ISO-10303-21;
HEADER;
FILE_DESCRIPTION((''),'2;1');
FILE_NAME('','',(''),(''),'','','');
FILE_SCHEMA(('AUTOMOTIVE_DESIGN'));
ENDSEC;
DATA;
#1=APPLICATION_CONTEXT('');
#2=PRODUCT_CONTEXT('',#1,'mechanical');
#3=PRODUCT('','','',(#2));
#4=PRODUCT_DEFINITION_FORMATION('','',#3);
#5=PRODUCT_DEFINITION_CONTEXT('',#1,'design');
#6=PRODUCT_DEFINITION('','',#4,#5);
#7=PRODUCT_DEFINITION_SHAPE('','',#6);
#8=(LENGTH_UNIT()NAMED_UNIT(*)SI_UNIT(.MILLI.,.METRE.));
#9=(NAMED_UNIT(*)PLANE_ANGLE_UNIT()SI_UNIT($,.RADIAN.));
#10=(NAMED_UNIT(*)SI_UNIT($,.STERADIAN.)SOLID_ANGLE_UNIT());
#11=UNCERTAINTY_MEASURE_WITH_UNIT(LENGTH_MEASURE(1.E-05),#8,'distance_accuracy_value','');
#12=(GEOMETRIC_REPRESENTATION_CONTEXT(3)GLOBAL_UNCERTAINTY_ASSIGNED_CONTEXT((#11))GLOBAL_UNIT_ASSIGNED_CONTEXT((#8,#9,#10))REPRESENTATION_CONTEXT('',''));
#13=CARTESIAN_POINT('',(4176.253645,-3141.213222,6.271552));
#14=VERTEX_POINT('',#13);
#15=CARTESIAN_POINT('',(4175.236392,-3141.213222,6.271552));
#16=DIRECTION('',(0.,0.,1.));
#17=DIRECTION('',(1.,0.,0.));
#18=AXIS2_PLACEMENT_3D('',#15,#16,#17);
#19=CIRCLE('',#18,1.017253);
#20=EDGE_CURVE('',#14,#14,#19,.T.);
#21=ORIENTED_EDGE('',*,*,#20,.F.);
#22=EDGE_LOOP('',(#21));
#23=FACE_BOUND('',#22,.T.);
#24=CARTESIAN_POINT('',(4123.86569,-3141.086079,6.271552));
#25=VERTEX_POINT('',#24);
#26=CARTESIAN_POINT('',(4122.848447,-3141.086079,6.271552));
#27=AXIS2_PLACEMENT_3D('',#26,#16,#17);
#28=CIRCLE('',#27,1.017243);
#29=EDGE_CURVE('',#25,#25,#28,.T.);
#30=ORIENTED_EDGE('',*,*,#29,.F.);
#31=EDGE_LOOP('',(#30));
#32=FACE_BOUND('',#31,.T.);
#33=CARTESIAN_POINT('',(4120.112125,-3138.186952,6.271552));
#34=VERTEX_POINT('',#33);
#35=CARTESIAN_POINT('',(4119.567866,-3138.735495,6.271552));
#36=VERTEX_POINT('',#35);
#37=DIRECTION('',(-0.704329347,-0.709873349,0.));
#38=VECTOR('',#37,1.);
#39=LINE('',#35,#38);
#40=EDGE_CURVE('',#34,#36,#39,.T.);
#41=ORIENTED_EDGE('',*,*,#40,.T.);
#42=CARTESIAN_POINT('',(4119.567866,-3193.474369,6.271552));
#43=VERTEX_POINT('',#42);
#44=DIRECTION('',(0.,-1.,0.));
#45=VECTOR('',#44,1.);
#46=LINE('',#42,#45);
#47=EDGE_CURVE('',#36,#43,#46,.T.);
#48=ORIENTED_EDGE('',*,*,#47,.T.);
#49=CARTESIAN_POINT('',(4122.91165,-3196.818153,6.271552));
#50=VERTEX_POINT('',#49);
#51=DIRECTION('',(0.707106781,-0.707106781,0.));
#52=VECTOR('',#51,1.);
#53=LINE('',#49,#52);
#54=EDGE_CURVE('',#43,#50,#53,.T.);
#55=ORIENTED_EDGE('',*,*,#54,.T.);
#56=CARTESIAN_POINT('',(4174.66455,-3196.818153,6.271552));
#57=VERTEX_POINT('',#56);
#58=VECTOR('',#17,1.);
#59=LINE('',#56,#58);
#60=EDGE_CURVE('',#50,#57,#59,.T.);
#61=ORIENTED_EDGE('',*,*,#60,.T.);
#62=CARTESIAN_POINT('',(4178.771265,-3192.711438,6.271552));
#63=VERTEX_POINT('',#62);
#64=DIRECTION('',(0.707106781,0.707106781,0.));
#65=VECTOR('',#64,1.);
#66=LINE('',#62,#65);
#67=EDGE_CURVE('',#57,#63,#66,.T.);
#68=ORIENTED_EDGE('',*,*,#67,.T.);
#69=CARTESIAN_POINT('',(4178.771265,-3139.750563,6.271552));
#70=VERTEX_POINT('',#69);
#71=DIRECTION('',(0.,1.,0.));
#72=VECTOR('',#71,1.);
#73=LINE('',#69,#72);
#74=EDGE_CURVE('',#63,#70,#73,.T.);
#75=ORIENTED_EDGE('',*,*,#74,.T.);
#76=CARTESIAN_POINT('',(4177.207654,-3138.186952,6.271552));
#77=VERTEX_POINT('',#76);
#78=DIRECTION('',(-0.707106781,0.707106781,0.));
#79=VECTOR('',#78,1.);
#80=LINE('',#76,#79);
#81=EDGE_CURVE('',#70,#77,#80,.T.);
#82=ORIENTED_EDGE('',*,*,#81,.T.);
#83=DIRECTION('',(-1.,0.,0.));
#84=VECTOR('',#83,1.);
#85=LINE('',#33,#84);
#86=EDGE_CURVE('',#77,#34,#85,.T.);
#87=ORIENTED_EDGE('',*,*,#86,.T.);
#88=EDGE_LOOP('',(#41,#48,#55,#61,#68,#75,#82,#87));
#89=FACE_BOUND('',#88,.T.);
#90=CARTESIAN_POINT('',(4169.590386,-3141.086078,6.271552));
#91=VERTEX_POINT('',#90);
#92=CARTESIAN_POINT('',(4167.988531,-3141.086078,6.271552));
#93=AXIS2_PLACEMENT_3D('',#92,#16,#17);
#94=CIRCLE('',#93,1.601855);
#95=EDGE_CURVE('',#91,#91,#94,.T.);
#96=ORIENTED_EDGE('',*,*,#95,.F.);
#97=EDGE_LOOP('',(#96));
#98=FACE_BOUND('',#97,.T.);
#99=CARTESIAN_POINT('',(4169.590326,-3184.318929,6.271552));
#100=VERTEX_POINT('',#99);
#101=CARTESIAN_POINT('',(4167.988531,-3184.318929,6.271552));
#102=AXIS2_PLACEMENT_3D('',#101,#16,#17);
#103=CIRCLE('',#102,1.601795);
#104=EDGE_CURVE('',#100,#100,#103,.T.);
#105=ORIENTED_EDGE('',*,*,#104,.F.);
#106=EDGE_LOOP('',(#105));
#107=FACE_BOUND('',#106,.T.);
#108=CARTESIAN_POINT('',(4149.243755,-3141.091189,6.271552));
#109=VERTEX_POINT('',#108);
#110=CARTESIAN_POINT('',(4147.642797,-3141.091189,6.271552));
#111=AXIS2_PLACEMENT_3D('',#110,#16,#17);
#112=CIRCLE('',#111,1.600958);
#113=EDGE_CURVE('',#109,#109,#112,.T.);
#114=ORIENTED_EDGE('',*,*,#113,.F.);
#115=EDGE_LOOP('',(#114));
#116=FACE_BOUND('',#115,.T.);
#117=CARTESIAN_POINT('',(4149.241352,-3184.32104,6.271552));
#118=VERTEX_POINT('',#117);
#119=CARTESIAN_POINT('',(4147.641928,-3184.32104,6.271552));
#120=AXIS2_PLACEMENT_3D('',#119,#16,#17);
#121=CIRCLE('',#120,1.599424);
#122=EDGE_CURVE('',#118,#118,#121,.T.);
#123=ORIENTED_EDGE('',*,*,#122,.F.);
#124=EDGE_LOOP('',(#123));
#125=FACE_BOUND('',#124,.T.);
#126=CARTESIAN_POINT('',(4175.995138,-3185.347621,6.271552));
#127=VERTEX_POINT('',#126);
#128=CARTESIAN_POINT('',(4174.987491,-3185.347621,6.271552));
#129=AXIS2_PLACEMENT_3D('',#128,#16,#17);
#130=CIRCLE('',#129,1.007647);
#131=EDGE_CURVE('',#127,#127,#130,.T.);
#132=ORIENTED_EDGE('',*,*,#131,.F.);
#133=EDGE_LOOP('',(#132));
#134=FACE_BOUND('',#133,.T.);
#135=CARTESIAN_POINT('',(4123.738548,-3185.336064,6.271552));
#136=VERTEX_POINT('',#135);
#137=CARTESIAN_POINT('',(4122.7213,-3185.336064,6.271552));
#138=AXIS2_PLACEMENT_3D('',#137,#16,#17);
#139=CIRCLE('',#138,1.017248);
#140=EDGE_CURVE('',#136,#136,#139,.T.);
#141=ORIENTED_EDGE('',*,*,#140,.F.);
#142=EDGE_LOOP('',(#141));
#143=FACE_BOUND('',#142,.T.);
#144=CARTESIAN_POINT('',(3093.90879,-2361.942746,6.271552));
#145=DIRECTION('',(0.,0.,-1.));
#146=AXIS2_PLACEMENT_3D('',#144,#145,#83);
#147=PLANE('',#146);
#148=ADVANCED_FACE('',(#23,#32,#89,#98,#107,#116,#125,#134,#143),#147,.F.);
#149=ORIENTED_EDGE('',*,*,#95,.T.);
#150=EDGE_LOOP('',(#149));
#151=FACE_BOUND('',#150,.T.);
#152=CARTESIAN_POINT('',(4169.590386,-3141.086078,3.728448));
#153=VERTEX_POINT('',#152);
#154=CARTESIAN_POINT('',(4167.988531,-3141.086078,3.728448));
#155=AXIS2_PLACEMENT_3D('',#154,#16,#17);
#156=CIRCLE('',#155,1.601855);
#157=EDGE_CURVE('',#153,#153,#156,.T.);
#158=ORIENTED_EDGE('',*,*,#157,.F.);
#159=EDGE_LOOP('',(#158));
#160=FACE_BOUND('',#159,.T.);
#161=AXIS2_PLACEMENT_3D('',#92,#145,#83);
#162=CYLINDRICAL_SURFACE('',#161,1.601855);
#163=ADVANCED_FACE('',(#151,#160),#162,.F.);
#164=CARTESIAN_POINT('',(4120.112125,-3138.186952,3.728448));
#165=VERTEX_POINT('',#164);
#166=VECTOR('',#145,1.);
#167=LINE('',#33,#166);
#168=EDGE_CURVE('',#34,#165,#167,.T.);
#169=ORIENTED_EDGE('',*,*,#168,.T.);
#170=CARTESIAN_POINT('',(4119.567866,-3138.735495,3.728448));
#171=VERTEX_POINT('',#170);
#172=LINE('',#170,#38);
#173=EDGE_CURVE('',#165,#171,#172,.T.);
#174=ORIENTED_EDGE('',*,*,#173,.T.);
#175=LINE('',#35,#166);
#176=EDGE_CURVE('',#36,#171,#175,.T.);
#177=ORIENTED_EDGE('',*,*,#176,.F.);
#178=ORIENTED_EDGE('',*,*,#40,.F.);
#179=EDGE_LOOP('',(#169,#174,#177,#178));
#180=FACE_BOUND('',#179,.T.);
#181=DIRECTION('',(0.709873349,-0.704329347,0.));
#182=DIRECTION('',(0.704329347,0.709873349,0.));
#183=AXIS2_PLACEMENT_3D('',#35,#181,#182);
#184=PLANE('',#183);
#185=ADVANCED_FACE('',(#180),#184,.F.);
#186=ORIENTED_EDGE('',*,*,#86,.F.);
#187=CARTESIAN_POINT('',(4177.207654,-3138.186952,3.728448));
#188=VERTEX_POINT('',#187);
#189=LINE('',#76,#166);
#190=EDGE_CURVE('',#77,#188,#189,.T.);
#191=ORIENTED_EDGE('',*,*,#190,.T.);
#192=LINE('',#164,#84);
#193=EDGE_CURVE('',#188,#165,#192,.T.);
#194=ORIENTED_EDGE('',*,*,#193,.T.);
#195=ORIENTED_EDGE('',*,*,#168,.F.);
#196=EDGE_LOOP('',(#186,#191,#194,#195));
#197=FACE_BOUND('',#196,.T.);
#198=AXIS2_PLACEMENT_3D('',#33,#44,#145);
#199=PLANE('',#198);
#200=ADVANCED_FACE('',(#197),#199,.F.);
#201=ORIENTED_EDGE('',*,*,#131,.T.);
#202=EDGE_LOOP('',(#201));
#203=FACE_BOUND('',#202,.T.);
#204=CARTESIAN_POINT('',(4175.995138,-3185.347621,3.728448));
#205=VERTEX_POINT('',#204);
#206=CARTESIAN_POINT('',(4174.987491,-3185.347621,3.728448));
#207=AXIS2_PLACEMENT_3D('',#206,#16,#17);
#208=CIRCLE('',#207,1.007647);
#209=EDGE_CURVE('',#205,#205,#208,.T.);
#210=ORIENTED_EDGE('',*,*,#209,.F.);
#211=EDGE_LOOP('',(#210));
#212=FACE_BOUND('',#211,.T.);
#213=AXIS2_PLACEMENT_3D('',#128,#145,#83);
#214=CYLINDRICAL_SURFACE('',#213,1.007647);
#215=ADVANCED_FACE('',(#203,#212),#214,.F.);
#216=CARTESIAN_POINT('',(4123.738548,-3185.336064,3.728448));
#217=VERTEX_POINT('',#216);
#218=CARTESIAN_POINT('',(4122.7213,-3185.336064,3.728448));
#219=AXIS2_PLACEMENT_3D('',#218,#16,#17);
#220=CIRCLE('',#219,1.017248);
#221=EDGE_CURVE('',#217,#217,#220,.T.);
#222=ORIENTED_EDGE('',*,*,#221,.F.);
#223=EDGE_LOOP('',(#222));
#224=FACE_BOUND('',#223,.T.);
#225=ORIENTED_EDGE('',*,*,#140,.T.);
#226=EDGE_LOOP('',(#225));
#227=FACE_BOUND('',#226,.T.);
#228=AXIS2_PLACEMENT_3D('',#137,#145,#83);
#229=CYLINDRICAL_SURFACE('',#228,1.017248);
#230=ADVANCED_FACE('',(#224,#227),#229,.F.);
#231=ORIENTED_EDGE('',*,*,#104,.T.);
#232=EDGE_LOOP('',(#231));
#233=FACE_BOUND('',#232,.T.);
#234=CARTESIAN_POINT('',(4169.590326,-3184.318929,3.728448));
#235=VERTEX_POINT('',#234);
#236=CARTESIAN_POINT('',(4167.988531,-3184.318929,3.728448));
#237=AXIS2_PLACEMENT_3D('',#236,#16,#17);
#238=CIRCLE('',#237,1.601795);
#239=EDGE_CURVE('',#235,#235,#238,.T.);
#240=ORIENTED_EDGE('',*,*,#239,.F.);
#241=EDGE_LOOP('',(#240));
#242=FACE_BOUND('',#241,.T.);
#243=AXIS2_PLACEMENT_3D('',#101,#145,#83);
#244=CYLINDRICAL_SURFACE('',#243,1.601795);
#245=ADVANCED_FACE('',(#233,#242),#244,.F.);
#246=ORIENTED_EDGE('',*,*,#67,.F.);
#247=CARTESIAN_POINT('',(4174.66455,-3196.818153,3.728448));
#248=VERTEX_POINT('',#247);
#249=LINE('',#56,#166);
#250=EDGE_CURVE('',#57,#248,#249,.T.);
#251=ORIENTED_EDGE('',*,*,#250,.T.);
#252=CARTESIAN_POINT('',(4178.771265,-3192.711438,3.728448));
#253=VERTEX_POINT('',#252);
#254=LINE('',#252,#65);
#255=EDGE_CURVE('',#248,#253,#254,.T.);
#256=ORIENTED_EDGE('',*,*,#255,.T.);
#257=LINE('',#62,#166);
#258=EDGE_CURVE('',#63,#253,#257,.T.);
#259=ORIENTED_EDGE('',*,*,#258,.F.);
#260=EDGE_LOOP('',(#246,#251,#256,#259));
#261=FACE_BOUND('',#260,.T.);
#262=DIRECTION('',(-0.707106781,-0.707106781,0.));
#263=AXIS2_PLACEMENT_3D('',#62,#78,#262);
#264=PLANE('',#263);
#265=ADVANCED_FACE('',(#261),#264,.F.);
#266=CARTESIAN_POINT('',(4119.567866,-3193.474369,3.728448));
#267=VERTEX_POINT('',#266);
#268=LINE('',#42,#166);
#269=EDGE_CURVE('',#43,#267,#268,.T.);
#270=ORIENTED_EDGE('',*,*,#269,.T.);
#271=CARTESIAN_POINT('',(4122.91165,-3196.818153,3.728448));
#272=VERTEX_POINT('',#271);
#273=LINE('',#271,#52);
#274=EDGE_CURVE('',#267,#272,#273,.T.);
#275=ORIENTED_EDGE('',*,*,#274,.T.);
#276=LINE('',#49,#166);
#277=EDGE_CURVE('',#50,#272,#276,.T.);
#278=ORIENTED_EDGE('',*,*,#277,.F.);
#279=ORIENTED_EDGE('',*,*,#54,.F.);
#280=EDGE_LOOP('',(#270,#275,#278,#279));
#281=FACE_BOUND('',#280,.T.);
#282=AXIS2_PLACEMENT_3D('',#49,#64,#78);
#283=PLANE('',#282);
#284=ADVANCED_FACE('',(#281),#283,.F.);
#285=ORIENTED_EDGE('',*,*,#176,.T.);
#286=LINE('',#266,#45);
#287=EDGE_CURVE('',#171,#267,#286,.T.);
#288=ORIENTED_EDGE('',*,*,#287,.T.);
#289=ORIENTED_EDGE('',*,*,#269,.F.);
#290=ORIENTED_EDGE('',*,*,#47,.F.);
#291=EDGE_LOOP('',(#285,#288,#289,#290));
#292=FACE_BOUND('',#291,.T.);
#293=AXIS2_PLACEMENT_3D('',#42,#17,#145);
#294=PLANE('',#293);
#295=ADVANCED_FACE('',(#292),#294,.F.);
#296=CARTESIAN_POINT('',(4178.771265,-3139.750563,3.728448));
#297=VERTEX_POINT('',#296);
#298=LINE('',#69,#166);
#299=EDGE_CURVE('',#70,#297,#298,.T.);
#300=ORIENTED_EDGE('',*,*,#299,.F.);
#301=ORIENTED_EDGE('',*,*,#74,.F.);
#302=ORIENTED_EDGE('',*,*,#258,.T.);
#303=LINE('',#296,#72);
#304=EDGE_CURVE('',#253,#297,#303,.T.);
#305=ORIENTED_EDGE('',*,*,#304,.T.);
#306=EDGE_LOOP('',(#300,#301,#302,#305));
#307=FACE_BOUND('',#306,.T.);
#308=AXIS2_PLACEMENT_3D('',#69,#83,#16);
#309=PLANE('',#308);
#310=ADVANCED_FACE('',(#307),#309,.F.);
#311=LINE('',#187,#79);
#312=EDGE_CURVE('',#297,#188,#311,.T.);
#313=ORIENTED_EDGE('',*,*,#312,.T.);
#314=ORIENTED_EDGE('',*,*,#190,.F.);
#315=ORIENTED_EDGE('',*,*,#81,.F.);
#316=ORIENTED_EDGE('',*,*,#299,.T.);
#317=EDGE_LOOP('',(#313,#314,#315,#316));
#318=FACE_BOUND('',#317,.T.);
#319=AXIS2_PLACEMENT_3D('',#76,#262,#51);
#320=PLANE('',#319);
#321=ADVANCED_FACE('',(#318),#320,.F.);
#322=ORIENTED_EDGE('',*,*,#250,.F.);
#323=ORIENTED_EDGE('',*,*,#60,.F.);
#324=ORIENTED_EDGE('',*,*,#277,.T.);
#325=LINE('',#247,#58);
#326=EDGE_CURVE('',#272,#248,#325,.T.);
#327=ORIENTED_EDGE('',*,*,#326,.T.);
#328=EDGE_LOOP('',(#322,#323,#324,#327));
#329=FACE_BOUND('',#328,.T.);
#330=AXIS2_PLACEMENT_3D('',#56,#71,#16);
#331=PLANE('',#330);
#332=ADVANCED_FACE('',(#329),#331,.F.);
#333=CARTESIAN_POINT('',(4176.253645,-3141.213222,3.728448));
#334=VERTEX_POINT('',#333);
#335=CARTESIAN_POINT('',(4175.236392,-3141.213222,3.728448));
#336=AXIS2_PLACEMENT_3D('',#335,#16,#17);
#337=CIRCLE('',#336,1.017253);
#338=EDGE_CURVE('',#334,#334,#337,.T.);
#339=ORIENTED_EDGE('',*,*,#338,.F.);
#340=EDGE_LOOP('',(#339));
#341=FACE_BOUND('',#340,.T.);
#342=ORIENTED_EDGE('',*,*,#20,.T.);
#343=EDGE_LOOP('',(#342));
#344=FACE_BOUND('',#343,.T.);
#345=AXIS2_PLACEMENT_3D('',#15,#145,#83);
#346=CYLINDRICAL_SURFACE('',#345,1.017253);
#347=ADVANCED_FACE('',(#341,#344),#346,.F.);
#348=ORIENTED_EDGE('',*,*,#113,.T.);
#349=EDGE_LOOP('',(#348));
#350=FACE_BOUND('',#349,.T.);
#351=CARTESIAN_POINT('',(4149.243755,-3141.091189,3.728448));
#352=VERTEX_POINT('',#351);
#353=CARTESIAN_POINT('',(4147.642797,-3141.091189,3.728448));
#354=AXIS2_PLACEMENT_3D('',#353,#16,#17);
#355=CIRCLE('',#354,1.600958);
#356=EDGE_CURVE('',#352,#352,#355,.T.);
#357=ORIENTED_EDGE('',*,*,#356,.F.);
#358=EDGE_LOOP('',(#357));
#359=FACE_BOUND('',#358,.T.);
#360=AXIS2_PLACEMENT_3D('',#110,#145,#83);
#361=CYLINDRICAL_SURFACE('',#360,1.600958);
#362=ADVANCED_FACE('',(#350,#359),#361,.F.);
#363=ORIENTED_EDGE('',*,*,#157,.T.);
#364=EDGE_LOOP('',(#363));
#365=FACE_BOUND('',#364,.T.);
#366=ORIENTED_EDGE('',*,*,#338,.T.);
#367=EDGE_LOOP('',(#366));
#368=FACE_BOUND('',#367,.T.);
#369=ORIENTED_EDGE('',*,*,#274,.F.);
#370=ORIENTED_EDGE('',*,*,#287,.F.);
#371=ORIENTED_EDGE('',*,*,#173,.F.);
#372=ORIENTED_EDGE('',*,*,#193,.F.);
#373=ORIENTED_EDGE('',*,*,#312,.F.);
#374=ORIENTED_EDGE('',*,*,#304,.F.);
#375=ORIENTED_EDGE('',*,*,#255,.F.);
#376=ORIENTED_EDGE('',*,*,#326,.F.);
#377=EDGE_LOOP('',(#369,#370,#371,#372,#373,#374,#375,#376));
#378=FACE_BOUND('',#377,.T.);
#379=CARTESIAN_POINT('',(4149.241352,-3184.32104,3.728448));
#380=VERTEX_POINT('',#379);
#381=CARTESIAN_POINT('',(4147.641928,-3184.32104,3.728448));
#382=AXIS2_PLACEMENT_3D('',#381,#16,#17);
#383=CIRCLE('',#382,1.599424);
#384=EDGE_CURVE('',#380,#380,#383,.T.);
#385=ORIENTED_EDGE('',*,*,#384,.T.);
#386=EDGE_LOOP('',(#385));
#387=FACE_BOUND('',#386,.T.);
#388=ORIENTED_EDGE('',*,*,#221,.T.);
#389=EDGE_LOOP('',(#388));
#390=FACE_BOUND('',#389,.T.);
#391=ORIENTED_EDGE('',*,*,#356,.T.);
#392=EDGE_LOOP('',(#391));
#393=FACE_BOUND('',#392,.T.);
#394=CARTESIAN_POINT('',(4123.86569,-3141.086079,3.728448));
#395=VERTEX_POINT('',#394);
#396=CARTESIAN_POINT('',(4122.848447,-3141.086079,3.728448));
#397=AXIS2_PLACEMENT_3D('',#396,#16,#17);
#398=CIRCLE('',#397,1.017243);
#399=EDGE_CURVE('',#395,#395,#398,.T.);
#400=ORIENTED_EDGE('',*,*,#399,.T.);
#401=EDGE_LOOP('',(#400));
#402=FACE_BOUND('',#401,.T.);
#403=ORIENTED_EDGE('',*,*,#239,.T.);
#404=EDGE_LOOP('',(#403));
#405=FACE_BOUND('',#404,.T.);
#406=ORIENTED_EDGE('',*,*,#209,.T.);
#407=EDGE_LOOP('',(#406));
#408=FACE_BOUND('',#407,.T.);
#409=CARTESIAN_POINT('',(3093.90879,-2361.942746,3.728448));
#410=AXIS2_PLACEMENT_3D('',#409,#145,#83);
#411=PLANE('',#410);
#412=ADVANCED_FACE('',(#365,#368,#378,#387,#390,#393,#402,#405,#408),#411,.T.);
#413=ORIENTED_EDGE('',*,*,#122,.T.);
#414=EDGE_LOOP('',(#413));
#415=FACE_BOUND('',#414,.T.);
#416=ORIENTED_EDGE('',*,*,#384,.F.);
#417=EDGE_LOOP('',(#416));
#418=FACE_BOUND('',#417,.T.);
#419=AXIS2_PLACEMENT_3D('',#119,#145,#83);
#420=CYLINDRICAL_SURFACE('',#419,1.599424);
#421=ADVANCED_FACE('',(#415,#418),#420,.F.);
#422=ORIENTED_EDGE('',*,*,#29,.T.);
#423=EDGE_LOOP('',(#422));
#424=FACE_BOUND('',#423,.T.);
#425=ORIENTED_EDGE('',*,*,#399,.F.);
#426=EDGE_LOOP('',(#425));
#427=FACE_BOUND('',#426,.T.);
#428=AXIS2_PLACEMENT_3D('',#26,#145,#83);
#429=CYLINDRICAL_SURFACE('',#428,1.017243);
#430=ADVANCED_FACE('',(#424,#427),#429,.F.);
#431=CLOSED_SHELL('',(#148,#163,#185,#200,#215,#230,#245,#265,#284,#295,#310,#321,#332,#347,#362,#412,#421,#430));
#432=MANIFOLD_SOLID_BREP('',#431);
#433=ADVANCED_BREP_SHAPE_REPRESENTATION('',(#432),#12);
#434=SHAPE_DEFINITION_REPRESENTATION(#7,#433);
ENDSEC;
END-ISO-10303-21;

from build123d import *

# Parameters (mm, degrees)
SKETCH1_R           = 4.000005254
SKETCH1_R_2         = 6.295294196
SKETCH1_R_3         = 6.298818985
SKETCH1_R_4         = 4.000046515
SKETCH1_R_5         = 3.96227159
SKETCH1_R_6         = 6.298583834
SKETCH1_R_7         = 6.289262296
SKETCH1_R_8         = 4.000026217
BOSS_EXTRUDE1_DEPTH = 10
SCALE1_SCALE        = 0.254310345


with BuildPart() as part:
    # Sketch1 → Boss-Extrude1 (new body)
    with BuildSketch(Plane.XY):
        Polygon((4033.100097656, -3054.507080078), (4035.240234375, -3052.350097656), (4259.751464844, -3052.350097656), (4265.899902344, -3058.498535156), (4265.899902344, -3266.751464844), (4249.751464844, -3282.899902344), (4046.248535156, -3282.899902344), (4033.100097656, -3269.751464844), align=None)
        with Locations((4046.000008659, -3063.7500542)):
            Circle(SKETCH1_R, mode=Mode.SUBTRACT)
        with Locations((4143.496433826, -3063.770149106)):
            Circle(SKETCH1_R_2, mode=Mode.SUBTRACT)
        with Locations((4223.5, -3063.750049197)):
            Circle(SKETCH1_R_3, mode=Mode.SUBTRACT)
        with Locations((4252.000063875, -3064.25000712)):
            Circle(SKETCH1_R_4, mode=Mode.SUBTRACT)
        with Locations((4251.021334492, -3237.795441039)):
            Circle(SKETCH1_R_5, mode=Mode.SUBTRACT)
        with Locations((4223.5, -3233.750415039)):
            Circle(SKETCH1_R_6, mode=Mode.SUBTRACT)
        with Locations((4143.493016467, -3233.75871347)):
            Circle(SKETCH1_R_7, mode=Mode.SUBTRACT)
        with Locations((4045.500040954, -3237.749996915)):
            Circle(SKETCH1_R_8, mode=Mode.SUBTRACT)
    extrude(amount=BOSS_EXTRUDE1_DEPTH)


with BuildPart() as part_1:
    # Scale1: scaled about (4149.056874209, -3167.460792727, 5)
    add(part.part.scale(SCALE1_SCALE).moved(Location((3093.90878982, -2361.942746301, 3.728448276))))


solid = part_1.part
